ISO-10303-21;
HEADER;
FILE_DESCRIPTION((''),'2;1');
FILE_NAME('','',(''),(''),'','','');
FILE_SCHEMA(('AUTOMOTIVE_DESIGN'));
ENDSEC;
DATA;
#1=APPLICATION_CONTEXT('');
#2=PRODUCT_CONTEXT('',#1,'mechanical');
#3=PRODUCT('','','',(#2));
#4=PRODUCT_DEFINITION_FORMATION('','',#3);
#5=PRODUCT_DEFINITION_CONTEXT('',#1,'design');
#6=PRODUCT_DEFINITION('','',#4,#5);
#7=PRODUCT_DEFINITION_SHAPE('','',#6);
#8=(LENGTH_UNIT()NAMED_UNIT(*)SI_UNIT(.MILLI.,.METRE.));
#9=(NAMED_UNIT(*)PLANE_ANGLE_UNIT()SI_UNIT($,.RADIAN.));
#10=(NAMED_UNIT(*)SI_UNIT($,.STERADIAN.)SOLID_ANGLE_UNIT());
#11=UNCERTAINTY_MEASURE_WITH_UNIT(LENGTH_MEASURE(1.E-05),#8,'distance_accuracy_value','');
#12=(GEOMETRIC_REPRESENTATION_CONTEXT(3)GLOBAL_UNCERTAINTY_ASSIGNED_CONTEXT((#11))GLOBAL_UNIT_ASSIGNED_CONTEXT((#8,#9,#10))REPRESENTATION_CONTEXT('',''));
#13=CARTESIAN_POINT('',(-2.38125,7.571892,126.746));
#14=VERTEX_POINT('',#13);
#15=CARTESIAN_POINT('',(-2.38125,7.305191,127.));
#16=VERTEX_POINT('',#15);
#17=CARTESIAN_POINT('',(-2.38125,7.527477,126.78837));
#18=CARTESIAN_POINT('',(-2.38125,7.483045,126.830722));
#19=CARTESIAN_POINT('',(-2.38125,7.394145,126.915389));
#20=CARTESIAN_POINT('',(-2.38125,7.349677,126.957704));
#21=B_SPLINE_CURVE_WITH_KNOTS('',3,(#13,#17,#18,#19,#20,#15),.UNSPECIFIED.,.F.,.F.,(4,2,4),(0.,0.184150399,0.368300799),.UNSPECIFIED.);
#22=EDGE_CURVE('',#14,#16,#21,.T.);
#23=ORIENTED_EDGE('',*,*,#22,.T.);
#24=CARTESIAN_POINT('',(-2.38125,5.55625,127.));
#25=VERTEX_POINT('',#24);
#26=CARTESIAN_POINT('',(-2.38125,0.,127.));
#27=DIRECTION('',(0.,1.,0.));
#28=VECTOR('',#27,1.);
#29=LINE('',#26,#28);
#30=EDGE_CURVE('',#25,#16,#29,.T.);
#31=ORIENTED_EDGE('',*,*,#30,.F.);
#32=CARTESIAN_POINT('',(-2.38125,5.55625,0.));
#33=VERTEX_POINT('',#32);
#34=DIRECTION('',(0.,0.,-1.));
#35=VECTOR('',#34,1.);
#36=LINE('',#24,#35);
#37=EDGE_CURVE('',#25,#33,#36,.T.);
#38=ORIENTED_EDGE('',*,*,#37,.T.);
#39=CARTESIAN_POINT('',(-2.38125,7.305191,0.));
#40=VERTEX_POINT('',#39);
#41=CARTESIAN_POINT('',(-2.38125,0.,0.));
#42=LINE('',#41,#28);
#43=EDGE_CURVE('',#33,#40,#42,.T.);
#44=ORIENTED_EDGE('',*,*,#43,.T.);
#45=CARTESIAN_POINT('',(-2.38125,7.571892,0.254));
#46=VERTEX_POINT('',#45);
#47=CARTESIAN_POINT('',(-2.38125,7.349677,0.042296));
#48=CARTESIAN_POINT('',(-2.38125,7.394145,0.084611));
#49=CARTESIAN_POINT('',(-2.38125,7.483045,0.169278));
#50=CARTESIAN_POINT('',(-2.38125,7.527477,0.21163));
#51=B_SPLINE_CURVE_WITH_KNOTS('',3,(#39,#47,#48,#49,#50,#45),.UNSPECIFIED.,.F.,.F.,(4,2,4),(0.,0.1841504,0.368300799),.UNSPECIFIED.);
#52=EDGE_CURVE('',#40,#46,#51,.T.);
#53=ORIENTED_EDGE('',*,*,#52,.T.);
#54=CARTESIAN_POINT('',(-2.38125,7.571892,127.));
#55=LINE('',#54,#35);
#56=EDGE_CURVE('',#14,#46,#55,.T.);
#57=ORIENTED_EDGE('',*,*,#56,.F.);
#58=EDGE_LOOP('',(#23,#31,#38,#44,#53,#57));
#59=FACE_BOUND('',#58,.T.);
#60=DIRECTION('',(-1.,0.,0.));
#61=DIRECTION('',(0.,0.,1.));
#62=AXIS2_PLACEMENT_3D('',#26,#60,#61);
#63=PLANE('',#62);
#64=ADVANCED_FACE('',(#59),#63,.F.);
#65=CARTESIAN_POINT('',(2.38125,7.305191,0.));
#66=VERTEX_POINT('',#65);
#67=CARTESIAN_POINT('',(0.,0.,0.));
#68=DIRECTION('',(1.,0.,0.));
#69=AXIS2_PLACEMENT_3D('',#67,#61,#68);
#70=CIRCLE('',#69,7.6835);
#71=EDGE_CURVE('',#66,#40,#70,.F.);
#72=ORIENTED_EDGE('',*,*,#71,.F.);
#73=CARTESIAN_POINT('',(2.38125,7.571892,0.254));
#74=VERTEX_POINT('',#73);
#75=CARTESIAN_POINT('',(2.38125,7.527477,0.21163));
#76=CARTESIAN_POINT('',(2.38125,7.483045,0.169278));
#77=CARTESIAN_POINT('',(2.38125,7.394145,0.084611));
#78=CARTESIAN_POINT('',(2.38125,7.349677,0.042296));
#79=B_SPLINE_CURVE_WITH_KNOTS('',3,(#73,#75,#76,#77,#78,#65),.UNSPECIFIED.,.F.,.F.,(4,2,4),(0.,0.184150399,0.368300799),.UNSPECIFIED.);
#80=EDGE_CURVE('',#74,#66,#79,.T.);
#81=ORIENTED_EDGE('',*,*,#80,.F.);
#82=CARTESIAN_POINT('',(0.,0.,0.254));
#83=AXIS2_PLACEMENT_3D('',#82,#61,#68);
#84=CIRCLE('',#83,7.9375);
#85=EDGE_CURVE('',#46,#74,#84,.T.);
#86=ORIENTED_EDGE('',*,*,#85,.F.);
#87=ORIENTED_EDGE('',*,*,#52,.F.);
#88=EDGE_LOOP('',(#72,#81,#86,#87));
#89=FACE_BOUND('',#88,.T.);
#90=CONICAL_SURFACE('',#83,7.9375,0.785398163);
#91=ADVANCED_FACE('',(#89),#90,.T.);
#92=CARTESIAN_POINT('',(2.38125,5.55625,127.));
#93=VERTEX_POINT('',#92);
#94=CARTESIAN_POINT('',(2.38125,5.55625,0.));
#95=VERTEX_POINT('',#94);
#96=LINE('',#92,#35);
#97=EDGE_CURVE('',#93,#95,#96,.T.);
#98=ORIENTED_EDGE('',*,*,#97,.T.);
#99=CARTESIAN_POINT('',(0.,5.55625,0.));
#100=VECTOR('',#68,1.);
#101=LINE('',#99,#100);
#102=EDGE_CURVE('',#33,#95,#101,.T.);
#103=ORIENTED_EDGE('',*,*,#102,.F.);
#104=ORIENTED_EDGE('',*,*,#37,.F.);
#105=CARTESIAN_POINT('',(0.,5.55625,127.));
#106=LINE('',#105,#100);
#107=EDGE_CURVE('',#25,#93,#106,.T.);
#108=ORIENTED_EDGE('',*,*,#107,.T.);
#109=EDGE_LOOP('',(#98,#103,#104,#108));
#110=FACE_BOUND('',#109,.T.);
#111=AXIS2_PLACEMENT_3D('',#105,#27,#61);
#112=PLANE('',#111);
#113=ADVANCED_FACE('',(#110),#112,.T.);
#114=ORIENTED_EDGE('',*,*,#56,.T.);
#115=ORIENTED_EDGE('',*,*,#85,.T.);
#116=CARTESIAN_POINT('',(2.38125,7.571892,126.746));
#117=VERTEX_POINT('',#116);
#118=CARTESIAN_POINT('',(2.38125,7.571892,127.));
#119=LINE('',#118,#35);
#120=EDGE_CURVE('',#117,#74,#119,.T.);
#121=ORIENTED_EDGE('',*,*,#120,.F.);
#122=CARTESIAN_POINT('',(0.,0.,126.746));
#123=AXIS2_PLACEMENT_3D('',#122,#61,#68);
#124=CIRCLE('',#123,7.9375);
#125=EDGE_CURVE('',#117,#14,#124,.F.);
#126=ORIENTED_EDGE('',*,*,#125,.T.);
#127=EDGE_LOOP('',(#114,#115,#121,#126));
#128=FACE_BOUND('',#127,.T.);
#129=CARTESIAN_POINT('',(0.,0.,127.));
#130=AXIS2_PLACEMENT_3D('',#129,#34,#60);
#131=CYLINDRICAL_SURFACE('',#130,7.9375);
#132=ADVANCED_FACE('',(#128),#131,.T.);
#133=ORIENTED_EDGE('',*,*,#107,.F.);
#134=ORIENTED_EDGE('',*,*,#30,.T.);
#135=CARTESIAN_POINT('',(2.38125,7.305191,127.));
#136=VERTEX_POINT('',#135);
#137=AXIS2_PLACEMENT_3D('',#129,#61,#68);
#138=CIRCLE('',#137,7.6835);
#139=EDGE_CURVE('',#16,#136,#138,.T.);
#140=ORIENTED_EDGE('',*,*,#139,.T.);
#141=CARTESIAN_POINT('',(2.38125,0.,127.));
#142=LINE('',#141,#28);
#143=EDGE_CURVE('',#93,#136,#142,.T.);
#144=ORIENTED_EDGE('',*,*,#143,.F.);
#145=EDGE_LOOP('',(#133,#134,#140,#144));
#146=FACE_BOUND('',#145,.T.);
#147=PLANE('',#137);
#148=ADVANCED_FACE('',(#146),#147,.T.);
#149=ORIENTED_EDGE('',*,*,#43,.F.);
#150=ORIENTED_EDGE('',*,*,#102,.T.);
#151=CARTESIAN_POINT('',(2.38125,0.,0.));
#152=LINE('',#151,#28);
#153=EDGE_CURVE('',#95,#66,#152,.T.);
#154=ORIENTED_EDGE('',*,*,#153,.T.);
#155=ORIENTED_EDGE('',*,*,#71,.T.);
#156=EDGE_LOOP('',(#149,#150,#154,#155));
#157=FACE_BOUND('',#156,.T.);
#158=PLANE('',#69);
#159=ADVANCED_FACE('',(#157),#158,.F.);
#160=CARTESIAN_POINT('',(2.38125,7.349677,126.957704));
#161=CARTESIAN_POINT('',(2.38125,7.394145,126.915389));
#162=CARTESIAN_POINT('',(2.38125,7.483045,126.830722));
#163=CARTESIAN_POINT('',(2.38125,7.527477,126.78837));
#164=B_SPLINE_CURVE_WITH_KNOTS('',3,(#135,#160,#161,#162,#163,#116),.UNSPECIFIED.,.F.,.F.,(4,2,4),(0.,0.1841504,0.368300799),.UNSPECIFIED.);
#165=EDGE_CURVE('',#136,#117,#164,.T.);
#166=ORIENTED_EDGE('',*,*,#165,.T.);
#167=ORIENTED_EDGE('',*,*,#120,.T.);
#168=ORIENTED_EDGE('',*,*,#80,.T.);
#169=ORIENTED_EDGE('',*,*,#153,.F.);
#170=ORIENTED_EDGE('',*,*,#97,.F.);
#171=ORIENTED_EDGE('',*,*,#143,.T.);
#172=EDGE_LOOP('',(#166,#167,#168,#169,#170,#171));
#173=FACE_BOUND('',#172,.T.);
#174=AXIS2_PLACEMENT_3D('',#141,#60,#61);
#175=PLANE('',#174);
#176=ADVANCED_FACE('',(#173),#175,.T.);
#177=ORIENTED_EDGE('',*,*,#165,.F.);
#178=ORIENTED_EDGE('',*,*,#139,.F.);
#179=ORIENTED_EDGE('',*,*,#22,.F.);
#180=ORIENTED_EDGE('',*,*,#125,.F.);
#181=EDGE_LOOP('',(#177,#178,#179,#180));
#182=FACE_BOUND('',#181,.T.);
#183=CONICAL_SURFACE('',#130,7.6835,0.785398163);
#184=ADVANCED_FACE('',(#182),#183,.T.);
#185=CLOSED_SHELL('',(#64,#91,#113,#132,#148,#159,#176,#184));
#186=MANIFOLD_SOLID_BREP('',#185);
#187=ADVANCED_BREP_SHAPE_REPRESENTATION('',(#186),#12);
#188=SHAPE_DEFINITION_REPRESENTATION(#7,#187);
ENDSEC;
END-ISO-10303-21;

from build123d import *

# Parameters (mm, degrees)
BOSS_EXTRUDE1_DEPTH = 127
CHAMFER1_SIZE       = 0.254


with BuildPart() as part:
    # Sketch1 → Boss-Extrude1 (new body)
    with BuildSketch(Plane.XY):
        with BuildLine():
            Line((2.38125, 5.55625), (-2.38125, 5.55625))
            Line((-2.38125, 5.55625), (-2.38125, 7.571892411))
            ThreePointArc((-2.38125, 7.571892411), (-4.695888328, -6.399417088), (7.9375, 0))
            ThreePointArc((7.9375, 0), (6.399417088, 4.695888328), (2.38125, 7.571892411))
            Line((2.38125, 7.571892411), (2.38125, 5.55625))
        make_face()
    extrude(amount=BOSS_EXTRUDE1_DEPTH)

    # Chamfer1
    chamfer1_edges = [part.edges().sort_by_distance(p)[0] for p in [
        (0, -7.9375, 0),
        (0, -7.9375, 127),
    ]]
    chamfer(chamfer1_edges, length=CHAMFER1_SIZE)


solid = part.part
